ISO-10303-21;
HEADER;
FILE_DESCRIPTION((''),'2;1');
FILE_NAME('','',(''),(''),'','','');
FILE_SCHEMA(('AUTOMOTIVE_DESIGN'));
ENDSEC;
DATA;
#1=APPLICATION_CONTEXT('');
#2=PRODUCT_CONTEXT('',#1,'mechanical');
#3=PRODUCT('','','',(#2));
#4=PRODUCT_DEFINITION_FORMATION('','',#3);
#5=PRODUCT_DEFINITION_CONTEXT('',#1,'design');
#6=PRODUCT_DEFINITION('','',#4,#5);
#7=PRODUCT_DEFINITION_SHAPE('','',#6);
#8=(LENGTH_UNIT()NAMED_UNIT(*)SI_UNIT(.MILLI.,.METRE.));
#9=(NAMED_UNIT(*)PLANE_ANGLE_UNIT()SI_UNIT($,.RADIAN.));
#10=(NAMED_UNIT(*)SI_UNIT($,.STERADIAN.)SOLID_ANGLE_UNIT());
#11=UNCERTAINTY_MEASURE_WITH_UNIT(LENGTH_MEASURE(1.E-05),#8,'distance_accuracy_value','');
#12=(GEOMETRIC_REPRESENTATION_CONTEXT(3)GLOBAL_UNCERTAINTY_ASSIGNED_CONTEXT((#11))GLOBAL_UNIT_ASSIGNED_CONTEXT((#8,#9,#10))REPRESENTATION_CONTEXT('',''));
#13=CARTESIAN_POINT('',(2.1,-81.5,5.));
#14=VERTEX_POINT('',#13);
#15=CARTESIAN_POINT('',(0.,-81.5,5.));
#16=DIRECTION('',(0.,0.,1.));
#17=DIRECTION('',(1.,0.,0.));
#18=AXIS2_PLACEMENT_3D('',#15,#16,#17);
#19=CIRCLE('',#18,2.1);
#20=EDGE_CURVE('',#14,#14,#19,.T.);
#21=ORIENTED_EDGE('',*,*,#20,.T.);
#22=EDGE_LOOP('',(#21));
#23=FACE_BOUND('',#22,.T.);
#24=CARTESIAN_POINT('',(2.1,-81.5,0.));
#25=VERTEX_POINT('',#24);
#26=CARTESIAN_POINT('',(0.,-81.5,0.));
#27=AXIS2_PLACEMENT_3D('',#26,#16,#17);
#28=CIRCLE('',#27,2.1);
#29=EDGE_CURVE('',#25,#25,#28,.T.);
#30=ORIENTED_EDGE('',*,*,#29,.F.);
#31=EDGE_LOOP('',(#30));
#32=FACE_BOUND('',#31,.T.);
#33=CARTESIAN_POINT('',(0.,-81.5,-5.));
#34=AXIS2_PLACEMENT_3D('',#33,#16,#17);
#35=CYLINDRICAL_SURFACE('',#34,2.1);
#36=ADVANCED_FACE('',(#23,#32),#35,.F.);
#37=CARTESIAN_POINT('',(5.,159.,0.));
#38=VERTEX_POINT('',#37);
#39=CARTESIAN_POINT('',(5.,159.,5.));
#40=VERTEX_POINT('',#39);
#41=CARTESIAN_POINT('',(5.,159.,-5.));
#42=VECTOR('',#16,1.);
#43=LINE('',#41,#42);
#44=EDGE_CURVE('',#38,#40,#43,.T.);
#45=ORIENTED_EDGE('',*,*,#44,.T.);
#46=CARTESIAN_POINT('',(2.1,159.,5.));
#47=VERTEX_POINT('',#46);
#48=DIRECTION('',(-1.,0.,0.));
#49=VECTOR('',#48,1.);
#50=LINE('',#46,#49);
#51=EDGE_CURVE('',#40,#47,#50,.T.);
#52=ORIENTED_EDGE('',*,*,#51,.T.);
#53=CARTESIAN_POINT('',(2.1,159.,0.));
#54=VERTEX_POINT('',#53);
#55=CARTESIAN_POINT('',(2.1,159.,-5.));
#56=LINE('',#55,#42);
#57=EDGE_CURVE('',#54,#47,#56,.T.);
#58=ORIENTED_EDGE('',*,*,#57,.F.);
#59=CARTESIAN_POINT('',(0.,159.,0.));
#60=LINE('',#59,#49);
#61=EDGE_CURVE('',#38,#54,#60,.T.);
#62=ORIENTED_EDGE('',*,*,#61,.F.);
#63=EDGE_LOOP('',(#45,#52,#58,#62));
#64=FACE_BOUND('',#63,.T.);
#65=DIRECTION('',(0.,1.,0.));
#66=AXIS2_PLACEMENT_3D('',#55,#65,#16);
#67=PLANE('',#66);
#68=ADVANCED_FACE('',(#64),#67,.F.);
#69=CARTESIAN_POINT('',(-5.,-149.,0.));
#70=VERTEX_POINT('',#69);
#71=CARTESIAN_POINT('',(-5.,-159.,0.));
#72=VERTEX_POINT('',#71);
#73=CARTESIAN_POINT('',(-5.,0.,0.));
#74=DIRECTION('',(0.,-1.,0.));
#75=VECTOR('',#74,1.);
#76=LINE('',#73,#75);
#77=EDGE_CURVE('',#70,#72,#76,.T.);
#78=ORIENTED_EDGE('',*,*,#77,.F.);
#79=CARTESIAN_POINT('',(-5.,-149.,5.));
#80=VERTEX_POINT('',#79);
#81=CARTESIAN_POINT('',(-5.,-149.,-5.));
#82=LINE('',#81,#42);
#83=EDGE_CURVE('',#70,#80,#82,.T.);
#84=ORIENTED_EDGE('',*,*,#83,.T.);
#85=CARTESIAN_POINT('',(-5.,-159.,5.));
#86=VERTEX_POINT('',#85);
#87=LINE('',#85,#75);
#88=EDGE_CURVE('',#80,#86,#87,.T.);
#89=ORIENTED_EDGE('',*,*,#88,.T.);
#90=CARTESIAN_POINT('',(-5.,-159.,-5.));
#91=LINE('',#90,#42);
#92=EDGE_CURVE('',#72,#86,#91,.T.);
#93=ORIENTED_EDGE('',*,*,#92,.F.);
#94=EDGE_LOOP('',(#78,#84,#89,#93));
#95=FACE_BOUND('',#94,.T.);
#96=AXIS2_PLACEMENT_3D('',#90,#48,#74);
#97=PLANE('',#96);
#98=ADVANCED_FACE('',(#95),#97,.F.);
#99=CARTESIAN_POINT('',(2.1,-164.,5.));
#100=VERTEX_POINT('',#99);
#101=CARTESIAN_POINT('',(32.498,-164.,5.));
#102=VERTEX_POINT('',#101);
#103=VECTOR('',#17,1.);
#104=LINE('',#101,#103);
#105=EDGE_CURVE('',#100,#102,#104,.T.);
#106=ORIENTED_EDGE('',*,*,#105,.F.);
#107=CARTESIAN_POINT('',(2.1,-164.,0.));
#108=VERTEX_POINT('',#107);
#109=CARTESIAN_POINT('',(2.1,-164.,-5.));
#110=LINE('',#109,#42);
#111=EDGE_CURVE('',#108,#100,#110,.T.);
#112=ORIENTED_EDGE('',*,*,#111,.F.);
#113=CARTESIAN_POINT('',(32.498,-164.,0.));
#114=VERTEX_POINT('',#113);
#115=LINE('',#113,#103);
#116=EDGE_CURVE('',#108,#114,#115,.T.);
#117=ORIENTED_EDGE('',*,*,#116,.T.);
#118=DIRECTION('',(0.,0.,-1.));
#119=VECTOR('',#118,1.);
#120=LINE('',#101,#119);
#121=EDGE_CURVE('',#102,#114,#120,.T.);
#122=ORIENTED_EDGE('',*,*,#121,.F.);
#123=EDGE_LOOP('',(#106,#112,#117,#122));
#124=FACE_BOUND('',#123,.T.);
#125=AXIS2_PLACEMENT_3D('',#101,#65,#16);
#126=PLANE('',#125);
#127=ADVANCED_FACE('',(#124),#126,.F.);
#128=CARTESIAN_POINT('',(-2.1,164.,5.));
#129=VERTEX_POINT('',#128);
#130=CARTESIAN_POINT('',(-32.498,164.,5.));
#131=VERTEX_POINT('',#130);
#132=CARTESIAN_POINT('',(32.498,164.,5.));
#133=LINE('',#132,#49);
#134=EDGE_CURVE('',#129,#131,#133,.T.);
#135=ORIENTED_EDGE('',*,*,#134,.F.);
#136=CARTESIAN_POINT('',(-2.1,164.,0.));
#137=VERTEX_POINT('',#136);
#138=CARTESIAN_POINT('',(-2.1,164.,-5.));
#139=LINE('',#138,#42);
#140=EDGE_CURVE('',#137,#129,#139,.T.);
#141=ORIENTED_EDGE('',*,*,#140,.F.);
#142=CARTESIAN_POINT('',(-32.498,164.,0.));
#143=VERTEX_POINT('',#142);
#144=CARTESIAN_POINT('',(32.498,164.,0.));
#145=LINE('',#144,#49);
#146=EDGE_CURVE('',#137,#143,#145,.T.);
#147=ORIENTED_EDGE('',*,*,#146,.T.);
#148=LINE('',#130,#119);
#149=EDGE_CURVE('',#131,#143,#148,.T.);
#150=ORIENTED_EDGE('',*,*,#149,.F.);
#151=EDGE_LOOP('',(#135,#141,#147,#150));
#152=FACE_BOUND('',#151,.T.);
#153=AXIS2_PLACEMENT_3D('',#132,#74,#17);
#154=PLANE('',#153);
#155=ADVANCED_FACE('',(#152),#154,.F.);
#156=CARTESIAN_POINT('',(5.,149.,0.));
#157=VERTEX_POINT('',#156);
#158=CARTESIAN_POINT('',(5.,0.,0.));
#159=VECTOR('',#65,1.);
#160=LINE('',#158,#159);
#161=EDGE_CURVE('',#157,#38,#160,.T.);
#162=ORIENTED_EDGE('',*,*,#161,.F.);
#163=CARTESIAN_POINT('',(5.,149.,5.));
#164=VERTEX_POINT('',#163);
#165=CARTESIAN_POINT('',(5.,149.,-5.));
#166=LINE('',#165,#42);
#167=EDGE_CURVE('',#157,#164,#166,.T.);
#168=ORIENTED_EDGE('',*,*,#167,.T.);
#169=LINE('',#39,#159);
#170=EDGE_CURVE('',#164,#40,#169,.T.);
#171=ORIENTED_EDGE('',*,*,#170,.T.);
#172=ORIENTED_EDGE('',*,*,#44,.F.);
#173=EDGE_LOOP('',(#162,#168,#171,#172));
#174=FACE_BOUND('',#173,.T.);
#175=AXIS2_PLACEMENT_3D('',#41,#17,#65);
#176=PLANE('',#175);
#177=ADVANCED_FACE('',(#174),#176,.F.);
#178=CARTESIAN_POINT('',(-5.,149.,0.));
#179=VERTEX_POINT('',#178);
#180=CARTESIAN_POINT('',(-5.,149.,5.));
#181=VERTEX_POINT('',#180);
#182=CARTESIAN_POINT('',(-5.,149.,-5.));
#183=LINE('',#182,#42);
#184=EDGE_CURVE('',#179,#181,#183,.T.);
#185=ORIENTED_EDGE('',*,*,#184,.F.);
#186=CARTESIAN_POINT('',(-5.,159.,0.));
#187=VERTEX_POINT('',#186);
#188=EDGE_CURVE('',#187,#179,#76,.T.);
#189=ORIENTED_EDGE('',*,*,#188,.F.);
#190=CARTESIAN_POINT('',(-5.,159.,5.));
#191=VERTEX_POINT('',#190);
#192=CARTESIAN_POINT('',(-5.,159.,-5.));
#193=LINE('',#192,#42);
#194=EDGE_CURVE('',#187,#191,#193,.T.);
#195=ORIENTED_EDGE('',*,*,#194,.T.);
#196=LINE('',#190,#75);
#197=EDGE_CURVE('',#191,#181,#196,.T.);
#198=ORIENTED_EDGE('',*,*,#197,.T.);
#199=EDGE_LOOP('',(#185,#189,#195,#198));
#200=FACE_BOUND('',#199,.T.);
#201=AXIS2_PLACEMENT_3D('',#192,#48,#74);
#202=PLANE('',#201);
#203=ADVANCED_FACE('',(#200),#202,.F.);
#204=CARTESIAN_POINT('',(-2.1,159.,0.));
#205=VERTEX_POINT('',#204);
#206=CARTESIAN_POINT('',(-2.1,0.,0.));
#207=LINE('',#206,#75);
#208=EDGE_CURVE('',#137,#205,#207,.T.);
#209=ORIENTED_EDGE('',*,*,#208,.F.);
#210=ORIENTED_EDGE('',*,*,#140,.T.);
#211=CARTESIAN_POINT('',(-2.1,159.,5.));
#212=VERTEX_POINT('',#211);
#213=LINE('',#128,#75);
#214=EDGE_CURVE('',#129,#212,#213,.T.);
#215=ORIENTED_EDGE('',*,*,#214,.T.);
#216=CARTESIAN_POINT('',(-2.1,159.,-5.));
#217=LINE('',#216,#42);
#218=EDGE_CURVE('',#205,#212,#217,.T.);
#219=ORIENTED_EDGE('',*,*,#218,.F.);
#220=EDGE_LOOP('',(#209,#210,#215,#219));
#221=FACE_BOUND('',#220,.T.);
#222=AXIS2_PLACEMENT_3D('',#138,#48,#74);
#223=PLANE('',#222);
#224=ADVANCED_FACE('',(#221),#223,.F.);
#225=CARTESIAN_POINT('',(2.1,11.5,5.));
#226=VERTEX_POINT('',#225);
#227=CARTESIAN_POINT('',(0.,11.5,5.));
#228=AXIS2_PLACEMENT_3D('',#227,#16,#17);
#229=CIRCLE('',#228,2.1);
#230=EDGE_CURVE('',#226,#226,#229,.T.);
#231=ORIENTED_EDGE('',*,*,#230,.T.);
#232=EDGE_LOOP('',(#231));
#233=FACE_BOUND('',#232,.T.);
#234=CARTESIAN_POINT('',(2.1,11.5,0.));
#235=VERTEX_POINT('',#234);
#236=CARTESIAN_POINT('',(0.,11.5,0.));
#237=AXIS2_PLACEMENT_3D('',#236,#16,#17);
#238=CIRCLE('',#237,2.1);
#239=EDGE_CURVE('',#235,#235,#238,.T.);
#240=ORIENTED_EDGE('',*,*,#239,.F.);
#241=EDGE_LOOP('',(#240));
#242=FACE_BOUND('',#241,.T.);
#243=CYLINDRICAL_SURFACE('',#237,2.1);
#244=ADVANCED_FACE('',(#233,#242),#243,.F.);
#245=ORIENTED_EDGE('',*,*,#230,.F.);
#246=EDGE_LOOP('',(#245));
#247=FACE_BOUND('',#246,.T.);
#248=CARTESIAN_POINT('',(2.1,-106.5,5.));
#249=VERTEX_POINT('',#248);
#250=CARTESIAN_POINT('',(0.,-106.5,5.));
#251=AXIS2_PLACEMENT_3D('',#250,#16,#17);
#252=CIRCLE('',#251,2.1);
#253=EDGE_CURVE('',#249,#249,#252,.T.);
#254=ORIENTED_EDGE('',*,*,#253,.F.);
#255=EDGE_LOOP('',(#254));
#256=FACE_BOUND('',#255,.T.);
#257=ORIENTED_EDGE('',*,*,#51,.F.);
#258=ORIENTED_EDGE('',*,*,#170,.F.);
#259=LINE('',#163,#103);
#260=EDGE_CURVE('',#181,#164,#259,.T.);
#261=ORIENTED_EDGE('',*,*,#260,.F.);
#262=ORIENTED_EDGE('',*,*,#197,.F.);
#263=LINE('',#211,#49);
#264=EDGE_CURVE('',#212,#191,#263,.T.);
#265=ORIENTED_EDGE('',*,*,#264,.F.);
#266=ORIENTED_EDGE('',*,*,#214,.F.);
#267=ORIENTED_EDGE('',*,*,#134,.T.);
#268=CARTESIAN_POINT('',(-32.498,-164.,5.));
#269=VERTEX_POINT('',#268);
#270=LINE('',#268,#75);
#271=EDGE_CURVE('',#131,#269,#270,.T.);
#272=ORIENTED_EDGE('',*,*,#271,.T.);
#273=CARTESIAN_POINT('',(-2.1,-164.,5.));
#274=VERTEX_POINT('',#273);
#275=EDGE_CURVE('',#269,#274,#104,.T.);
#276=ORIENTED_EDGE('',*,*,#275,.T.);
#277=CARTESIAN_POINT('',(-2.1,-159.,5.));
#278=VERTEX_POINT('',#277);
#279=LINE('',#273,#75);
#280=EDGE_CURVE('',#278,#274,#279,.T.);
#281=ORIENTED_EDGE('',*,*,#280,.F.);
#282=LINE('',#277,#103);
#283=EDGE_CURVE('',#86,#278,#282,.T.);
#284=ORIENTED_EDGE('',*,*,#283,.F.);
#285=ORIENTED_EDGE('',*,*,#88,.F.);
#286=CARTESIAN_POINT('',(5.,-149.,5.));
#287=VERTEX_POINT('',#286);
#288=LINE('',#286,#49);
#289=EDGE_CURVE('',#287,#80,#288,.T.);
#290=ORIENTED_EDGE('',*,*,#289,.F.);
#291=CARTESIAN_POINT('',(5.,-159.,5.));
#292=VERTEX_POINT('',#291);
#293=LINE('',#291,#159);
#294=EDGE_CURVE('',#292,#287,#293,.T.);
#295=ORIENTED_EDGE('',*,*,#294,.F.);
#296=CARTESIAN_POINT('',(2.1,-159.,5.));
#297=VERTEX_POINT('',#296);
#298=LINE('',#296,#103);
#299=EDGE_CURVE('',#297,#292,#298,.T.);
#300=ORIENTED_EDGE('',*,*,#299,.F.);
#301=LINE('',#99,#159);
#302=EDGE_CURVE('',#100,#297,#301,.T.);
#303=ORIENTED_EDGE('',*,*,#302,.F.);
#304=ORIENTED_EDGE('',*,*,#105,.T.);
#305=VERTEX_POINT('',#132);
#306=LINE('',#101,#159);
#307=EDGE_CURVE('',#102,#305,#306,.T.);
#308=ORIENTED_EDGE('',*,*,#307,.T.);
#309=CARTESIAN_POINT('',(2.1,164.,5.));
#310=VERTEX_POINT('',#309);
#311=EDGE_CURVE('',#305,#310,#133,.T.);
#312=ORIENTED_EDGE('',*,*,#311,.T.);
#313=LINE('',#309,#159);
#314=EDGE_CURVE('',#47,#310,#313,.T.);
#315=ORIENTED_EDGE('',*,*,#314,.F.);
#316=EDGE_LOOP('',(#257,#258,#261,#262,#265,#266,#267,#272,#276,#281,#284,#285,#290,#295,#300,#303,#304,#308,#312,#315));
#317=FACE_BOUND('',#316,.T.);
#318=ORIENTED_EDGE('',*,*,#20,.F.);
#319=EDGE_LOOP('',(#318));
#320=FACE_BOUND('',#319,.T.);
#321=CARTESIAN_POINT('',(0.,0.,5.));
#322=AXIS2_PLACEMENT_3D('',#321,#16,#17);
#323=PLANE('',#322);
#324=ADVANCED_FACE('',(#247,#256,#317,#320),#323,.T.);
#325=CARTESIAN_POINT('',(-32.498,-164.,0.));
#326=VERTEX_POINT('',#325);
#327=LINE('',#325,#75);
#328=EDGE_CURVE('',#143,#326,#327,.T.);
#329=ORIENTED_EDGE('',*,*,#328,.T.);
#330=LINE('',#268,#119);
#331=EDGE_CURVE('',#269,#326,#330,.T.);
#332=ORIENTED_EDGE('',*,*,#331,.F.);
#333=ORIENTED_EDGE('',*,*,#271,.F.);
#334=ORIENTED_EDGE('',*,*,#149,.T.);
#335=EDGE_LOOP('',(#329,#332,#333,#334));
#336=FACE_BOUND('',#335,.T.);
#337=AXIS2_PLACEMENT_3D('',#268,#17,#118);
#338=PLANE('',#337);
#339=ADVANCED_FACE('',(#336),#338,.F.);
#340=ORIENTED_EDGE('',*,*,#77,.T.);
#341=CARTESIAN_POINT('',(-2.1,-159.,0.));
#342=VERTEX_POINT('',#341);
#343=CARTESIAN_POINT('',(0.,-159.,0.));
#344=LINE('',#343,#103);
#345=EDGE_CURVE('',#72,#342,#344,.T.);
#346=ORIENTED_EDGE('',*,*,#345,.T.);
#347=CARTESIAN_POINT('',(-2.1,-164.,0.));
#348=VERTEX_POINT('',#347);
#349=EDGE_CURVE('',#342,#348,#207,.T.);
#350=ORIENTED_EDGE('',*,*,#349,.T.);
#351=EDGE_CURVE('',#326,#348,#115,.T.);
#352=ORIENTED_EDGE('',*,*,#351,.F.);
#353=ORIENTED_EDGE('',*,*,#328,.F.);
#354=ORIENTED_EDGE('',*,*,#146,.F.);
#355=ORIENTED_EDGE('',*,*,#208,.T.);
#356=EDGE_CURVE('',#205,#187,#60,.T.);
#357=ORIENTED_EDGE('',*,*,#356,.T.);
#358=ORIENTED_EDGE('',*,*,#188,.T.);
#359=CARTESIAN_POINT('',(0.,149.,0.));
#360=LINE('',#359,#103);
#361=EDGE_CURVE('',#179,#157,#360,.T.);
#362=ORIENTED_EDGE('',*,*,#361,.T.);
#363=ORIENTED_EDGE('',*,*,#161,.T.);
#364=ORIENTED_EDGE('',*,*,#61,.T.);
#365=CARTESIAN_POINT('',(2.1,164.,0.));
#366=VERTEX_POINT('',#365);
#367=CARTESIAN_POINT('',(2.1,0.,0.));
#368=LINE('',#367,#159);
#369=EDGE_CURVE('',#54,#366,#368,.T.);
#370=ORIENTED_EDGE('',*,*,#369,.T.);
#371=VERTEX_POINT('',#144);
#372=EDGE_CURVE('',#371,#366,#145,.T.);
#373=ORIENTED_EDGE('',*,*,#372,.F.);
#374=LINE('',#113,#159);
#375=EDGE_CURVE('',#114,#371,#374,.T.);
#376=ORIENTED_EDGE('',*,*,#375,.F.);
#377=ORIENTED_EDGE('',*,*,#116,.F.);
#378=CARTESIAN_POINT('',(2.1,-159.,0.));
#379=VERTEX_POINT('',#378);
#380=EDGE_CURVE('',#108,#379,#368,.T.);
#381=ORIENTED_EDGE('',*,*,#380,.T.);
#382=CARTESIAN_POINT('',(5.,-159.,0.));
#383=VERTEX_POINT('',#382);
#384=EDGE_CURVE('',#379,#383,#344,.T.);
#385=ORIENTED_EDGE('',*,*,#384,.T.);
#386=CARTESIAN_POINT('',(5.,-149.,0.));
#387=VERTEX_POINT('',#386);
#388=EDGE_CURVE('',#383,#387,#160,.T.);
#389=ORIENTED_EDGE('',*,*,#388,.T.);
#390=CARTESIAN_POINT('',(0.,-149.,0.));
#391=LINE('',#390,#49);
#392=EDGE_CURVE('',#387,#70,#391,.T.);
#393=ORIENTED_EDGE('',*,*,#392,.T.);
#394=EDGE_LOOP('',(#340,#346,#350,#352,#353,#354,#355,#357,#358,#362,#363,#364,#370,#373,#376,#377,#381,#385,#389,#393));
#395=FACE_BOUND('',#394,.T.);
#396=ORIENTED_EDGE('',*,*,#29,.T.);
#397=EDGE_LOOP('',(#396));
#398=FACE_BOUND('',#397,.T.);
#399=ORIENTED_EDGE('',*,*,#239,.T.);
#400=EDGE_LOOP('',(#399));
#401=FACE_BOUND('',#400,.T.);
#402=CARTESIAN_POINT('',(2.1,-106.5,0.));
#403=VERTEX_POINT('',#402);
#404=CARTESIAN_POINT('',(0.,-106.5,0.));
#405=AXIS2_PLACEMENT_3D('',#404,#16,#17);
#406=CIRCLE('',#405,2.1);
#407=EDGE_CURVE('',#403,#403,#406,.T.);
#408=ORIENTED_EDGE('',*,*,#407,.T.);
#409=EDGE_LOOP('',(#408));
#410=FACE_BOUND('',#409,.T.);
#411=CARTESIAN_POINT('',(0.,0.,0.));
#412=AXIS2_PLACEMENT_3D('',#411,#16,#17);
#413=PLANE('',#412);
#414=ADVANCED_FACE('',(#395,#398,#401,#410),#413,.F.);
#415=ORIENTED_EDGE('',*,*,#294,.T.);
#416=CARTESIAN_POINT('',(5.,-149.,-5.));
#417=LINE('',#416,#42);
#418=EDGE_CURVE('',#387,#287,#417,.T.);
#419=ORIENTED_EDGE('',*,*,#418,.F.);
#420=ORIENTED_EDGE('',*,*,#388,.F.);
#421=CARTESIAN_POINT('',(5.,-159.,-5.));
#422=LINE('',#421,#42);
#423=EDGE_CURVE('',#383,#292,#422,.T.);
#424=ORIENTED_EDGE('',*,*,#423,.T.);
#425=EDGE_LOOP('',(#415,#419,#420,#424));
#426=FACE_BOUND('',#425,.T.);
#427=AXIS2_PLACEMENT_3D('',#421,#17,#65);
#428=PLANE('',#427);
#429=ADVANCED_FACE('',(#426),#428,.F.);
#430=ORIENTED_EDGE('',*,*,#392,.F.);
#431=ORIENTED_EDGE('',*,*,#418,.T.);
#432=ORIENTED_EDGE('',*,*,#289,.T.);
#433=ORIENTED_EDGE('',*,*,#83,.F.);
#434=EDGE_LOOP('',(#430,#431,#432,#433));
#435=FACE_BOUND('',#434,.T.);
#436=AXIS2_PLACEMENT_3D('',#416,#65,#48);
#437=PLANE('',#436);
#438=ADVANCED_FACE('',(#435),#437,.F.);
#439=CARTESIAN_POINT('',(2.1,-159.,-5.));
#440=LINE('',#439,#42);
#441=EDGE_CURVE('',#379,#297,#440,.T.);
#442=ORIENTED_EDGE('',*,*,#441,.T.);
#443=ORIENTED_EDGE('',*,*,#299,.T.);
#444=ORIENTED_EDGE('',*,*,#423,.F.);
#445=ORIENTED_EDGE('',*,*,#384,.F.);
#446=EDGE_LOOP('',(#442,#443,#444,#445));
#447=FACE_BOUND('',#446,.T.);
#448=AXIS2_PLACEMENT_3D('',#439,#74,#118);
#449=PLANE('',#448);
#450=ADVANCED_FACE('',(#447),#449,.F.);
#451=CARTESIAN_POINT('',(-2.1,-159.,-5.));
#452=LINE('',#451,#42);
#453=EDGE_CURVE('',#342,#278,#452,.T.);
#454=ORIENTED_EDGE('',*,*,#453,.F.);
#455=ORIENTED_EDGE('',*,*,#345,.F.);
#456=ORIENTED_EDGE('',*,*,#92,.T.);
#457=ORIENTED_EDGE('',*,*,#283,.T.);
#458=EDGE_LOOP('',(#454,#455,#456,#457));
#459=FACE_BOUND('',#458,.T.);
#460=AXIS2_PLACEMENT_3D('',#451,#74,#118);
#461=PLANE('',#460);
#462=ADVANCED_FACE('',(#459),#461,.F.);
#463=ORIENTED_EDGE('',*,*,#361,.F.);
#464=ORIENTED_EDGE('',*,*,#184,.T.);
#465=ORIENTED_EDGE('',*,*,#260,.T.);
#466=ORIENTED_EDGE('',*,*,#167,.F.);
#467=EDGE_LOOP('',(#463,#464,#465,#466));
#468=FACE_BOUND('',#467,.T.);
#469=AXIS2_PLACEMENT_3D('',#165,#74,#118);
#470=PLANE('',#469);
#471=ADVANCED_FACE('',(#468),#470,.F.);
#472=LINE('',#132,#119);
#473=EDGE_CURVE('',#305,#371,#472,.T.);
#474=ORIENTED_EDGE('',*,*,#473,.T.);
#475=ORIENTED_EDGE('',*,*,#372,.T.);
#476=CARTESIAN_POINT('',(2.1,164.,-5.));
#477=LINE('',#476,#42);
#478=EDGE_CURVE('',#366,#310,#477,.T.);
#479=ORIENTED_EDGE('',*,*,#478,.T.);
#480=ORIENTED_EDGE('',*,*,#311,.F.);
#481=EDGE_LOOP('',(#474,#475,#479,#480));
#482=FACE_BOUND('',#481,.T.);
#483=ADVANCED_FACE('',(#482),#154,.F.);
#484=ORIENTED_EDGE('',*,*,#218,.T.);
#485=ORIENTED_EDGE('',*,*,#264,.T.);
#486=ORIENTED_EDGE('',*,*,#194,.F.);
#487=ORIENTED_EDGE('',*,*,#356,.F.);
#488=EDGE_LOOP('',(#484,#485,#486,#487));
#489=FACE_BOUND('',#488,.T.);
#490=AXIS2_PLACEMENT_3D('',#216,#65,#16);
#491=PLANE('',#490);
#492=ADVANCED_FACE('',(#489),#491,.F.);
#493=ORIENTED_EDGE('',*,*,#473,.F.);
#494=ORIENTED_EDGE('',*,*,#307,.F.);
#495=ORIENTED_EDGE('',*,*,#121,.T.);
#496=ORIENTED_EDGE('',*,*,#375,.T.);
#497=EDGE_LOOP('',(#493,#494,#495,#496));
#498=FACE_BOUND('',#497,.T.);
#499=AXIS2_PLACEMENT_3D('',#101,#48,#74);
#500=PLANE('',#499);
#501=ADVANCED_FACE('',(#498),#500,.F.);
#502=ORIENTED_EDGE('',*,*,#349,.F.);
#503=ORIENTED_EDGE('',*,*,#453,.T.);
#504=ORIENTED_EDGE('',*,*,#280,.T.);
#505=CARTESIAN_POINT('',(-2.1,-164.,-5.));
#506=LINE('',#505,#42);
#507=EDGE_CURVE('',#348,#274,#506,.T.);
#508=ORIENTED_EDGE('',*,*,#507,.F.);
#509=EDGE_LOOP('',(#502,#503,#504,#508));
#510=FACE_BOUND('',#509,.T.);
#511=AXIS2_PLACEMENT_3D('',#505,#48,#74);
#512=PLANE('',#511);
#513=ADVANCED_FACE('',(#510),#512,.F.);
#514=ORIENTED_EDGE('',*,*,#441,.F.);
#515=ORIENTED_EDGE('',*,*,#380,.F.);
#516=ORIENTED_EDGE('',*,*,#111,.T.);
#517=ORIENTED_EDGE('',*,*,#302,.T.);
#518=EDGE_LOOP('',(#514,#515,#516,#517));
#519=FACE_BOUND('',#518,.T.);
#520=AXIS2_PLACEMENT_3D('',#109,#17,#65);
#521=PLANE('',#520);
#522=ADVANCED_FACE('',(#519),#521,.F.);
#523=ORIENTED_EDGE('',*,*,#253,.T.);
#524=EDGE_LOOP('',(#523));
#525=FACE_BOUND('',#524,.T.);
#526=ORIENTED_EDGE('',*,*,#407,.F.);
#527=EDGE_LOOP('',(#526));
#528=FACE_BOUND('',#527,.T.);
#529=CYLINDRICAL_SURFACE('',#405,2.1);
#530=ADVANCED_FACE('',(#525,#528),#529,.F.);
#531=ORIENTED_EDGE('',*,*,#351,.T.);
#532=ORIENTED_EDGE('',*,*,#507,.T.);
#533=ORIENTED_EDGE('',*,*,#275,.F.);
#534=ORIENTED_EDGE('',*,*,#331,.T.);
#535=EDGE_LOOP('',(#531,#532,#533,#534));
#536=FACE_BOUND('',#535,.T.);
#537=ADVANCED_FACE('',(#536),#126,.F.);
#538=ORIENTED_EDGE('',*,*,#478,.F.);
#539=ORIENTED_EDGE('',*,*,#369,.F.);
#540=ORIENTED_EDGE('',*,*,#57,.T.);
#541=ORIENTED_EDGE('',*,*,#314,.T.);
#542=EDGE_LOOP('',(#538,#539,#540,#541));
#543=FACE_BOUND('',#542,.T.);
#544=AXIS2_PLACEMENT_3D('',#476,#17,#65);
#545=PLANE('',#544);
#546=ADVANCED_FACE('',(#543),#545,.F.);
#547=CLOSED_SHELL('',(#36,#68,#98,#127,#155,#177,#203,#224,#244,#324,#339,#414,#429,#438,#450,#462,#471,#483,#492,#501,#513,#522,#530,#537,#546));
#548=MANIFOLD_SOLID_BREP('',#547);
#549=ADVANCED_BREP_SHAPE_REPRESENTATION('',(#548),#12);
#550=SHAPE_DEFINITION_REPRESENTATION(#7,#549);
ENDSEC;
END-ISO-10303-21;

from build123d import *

# Parameters (mm, degrees)
SKETCH1_W           = 64.996
SKETCH1_H           = 328
BOSS_EXTRUDE1_DEPTH = 5
SKETCH2_R           = 2.1
CUT_EXTRUDE1_DEPTH  = 10
CUT_EXTRUDE2_DEPTH  = 10
SKETCH4_R           = 2.1
CUT_EXTRUDE3_DEPTH  = 5
SKETCH5_R           = 2.1
CUT_EXTRUDE4_DEPTH  = 5


with BuildPart() as part:
    # Sketch1 → Boss-Extrude1 (new body)
    with BuildSketch(Plane.XY):
        Rectangle(SKETCH1_W, SKETCH1_H)
    extrude(amount=BOSS_EXTRUDE1_DEPTH)

    # Sketch2 → Cut-Extrude1 (cut)
    with BuildSketch(Plane.XY.offset(5)):
        with Locations((0, -81.5)):
            Circle(SKETCH2_R)
    extrude(amount=-CUT_EXTRUDE1_DEPTH, mode=Mode.SUBTRACT)

    # Sketch3 → Cut-Extrude2 (cut)
    with BuildSketch(Plane.XY.offset(5)):
        Polygon((-2.1, 164), (2.1, 164), (2.1, 159), (5, 159), (5, 149), (-5, 149), (-5, 159), (-2.1, 159), align=None)
        Polygon((-2.1, -164), (-2.1, -159), (-5, -159), (-5, -149), (5, -149), (5, -159), (2.1, -159), (2.1, -164), align=None)
    extrude(amount=-CUT_EXTRUDE2_DEPTH, mode=Mode.SUBTRACT)

    # Sketch4 → Cut-Extrude3 (cut)
    with BuildSketch(Plane.XY.offset(5)):
        with Locations((0, -106.5)):
            Circle(SKETCH4_R)
    extrude(amount=-CUT_EXTRUDE3_DEPTH, mode=Mode.SUBTRACT)

    # Sketch5 → Cut-Extrude4 (cut)
    with BuildSketch(Plane.XY.offset(5)):
        with Locations((0, 11.5)):
            Circle(SKETCH5_R)
    extrude(amount=-CUT_EXTRUDE4_DEPTH, mode=Mode.SUBTRACT)


solid = part.part
